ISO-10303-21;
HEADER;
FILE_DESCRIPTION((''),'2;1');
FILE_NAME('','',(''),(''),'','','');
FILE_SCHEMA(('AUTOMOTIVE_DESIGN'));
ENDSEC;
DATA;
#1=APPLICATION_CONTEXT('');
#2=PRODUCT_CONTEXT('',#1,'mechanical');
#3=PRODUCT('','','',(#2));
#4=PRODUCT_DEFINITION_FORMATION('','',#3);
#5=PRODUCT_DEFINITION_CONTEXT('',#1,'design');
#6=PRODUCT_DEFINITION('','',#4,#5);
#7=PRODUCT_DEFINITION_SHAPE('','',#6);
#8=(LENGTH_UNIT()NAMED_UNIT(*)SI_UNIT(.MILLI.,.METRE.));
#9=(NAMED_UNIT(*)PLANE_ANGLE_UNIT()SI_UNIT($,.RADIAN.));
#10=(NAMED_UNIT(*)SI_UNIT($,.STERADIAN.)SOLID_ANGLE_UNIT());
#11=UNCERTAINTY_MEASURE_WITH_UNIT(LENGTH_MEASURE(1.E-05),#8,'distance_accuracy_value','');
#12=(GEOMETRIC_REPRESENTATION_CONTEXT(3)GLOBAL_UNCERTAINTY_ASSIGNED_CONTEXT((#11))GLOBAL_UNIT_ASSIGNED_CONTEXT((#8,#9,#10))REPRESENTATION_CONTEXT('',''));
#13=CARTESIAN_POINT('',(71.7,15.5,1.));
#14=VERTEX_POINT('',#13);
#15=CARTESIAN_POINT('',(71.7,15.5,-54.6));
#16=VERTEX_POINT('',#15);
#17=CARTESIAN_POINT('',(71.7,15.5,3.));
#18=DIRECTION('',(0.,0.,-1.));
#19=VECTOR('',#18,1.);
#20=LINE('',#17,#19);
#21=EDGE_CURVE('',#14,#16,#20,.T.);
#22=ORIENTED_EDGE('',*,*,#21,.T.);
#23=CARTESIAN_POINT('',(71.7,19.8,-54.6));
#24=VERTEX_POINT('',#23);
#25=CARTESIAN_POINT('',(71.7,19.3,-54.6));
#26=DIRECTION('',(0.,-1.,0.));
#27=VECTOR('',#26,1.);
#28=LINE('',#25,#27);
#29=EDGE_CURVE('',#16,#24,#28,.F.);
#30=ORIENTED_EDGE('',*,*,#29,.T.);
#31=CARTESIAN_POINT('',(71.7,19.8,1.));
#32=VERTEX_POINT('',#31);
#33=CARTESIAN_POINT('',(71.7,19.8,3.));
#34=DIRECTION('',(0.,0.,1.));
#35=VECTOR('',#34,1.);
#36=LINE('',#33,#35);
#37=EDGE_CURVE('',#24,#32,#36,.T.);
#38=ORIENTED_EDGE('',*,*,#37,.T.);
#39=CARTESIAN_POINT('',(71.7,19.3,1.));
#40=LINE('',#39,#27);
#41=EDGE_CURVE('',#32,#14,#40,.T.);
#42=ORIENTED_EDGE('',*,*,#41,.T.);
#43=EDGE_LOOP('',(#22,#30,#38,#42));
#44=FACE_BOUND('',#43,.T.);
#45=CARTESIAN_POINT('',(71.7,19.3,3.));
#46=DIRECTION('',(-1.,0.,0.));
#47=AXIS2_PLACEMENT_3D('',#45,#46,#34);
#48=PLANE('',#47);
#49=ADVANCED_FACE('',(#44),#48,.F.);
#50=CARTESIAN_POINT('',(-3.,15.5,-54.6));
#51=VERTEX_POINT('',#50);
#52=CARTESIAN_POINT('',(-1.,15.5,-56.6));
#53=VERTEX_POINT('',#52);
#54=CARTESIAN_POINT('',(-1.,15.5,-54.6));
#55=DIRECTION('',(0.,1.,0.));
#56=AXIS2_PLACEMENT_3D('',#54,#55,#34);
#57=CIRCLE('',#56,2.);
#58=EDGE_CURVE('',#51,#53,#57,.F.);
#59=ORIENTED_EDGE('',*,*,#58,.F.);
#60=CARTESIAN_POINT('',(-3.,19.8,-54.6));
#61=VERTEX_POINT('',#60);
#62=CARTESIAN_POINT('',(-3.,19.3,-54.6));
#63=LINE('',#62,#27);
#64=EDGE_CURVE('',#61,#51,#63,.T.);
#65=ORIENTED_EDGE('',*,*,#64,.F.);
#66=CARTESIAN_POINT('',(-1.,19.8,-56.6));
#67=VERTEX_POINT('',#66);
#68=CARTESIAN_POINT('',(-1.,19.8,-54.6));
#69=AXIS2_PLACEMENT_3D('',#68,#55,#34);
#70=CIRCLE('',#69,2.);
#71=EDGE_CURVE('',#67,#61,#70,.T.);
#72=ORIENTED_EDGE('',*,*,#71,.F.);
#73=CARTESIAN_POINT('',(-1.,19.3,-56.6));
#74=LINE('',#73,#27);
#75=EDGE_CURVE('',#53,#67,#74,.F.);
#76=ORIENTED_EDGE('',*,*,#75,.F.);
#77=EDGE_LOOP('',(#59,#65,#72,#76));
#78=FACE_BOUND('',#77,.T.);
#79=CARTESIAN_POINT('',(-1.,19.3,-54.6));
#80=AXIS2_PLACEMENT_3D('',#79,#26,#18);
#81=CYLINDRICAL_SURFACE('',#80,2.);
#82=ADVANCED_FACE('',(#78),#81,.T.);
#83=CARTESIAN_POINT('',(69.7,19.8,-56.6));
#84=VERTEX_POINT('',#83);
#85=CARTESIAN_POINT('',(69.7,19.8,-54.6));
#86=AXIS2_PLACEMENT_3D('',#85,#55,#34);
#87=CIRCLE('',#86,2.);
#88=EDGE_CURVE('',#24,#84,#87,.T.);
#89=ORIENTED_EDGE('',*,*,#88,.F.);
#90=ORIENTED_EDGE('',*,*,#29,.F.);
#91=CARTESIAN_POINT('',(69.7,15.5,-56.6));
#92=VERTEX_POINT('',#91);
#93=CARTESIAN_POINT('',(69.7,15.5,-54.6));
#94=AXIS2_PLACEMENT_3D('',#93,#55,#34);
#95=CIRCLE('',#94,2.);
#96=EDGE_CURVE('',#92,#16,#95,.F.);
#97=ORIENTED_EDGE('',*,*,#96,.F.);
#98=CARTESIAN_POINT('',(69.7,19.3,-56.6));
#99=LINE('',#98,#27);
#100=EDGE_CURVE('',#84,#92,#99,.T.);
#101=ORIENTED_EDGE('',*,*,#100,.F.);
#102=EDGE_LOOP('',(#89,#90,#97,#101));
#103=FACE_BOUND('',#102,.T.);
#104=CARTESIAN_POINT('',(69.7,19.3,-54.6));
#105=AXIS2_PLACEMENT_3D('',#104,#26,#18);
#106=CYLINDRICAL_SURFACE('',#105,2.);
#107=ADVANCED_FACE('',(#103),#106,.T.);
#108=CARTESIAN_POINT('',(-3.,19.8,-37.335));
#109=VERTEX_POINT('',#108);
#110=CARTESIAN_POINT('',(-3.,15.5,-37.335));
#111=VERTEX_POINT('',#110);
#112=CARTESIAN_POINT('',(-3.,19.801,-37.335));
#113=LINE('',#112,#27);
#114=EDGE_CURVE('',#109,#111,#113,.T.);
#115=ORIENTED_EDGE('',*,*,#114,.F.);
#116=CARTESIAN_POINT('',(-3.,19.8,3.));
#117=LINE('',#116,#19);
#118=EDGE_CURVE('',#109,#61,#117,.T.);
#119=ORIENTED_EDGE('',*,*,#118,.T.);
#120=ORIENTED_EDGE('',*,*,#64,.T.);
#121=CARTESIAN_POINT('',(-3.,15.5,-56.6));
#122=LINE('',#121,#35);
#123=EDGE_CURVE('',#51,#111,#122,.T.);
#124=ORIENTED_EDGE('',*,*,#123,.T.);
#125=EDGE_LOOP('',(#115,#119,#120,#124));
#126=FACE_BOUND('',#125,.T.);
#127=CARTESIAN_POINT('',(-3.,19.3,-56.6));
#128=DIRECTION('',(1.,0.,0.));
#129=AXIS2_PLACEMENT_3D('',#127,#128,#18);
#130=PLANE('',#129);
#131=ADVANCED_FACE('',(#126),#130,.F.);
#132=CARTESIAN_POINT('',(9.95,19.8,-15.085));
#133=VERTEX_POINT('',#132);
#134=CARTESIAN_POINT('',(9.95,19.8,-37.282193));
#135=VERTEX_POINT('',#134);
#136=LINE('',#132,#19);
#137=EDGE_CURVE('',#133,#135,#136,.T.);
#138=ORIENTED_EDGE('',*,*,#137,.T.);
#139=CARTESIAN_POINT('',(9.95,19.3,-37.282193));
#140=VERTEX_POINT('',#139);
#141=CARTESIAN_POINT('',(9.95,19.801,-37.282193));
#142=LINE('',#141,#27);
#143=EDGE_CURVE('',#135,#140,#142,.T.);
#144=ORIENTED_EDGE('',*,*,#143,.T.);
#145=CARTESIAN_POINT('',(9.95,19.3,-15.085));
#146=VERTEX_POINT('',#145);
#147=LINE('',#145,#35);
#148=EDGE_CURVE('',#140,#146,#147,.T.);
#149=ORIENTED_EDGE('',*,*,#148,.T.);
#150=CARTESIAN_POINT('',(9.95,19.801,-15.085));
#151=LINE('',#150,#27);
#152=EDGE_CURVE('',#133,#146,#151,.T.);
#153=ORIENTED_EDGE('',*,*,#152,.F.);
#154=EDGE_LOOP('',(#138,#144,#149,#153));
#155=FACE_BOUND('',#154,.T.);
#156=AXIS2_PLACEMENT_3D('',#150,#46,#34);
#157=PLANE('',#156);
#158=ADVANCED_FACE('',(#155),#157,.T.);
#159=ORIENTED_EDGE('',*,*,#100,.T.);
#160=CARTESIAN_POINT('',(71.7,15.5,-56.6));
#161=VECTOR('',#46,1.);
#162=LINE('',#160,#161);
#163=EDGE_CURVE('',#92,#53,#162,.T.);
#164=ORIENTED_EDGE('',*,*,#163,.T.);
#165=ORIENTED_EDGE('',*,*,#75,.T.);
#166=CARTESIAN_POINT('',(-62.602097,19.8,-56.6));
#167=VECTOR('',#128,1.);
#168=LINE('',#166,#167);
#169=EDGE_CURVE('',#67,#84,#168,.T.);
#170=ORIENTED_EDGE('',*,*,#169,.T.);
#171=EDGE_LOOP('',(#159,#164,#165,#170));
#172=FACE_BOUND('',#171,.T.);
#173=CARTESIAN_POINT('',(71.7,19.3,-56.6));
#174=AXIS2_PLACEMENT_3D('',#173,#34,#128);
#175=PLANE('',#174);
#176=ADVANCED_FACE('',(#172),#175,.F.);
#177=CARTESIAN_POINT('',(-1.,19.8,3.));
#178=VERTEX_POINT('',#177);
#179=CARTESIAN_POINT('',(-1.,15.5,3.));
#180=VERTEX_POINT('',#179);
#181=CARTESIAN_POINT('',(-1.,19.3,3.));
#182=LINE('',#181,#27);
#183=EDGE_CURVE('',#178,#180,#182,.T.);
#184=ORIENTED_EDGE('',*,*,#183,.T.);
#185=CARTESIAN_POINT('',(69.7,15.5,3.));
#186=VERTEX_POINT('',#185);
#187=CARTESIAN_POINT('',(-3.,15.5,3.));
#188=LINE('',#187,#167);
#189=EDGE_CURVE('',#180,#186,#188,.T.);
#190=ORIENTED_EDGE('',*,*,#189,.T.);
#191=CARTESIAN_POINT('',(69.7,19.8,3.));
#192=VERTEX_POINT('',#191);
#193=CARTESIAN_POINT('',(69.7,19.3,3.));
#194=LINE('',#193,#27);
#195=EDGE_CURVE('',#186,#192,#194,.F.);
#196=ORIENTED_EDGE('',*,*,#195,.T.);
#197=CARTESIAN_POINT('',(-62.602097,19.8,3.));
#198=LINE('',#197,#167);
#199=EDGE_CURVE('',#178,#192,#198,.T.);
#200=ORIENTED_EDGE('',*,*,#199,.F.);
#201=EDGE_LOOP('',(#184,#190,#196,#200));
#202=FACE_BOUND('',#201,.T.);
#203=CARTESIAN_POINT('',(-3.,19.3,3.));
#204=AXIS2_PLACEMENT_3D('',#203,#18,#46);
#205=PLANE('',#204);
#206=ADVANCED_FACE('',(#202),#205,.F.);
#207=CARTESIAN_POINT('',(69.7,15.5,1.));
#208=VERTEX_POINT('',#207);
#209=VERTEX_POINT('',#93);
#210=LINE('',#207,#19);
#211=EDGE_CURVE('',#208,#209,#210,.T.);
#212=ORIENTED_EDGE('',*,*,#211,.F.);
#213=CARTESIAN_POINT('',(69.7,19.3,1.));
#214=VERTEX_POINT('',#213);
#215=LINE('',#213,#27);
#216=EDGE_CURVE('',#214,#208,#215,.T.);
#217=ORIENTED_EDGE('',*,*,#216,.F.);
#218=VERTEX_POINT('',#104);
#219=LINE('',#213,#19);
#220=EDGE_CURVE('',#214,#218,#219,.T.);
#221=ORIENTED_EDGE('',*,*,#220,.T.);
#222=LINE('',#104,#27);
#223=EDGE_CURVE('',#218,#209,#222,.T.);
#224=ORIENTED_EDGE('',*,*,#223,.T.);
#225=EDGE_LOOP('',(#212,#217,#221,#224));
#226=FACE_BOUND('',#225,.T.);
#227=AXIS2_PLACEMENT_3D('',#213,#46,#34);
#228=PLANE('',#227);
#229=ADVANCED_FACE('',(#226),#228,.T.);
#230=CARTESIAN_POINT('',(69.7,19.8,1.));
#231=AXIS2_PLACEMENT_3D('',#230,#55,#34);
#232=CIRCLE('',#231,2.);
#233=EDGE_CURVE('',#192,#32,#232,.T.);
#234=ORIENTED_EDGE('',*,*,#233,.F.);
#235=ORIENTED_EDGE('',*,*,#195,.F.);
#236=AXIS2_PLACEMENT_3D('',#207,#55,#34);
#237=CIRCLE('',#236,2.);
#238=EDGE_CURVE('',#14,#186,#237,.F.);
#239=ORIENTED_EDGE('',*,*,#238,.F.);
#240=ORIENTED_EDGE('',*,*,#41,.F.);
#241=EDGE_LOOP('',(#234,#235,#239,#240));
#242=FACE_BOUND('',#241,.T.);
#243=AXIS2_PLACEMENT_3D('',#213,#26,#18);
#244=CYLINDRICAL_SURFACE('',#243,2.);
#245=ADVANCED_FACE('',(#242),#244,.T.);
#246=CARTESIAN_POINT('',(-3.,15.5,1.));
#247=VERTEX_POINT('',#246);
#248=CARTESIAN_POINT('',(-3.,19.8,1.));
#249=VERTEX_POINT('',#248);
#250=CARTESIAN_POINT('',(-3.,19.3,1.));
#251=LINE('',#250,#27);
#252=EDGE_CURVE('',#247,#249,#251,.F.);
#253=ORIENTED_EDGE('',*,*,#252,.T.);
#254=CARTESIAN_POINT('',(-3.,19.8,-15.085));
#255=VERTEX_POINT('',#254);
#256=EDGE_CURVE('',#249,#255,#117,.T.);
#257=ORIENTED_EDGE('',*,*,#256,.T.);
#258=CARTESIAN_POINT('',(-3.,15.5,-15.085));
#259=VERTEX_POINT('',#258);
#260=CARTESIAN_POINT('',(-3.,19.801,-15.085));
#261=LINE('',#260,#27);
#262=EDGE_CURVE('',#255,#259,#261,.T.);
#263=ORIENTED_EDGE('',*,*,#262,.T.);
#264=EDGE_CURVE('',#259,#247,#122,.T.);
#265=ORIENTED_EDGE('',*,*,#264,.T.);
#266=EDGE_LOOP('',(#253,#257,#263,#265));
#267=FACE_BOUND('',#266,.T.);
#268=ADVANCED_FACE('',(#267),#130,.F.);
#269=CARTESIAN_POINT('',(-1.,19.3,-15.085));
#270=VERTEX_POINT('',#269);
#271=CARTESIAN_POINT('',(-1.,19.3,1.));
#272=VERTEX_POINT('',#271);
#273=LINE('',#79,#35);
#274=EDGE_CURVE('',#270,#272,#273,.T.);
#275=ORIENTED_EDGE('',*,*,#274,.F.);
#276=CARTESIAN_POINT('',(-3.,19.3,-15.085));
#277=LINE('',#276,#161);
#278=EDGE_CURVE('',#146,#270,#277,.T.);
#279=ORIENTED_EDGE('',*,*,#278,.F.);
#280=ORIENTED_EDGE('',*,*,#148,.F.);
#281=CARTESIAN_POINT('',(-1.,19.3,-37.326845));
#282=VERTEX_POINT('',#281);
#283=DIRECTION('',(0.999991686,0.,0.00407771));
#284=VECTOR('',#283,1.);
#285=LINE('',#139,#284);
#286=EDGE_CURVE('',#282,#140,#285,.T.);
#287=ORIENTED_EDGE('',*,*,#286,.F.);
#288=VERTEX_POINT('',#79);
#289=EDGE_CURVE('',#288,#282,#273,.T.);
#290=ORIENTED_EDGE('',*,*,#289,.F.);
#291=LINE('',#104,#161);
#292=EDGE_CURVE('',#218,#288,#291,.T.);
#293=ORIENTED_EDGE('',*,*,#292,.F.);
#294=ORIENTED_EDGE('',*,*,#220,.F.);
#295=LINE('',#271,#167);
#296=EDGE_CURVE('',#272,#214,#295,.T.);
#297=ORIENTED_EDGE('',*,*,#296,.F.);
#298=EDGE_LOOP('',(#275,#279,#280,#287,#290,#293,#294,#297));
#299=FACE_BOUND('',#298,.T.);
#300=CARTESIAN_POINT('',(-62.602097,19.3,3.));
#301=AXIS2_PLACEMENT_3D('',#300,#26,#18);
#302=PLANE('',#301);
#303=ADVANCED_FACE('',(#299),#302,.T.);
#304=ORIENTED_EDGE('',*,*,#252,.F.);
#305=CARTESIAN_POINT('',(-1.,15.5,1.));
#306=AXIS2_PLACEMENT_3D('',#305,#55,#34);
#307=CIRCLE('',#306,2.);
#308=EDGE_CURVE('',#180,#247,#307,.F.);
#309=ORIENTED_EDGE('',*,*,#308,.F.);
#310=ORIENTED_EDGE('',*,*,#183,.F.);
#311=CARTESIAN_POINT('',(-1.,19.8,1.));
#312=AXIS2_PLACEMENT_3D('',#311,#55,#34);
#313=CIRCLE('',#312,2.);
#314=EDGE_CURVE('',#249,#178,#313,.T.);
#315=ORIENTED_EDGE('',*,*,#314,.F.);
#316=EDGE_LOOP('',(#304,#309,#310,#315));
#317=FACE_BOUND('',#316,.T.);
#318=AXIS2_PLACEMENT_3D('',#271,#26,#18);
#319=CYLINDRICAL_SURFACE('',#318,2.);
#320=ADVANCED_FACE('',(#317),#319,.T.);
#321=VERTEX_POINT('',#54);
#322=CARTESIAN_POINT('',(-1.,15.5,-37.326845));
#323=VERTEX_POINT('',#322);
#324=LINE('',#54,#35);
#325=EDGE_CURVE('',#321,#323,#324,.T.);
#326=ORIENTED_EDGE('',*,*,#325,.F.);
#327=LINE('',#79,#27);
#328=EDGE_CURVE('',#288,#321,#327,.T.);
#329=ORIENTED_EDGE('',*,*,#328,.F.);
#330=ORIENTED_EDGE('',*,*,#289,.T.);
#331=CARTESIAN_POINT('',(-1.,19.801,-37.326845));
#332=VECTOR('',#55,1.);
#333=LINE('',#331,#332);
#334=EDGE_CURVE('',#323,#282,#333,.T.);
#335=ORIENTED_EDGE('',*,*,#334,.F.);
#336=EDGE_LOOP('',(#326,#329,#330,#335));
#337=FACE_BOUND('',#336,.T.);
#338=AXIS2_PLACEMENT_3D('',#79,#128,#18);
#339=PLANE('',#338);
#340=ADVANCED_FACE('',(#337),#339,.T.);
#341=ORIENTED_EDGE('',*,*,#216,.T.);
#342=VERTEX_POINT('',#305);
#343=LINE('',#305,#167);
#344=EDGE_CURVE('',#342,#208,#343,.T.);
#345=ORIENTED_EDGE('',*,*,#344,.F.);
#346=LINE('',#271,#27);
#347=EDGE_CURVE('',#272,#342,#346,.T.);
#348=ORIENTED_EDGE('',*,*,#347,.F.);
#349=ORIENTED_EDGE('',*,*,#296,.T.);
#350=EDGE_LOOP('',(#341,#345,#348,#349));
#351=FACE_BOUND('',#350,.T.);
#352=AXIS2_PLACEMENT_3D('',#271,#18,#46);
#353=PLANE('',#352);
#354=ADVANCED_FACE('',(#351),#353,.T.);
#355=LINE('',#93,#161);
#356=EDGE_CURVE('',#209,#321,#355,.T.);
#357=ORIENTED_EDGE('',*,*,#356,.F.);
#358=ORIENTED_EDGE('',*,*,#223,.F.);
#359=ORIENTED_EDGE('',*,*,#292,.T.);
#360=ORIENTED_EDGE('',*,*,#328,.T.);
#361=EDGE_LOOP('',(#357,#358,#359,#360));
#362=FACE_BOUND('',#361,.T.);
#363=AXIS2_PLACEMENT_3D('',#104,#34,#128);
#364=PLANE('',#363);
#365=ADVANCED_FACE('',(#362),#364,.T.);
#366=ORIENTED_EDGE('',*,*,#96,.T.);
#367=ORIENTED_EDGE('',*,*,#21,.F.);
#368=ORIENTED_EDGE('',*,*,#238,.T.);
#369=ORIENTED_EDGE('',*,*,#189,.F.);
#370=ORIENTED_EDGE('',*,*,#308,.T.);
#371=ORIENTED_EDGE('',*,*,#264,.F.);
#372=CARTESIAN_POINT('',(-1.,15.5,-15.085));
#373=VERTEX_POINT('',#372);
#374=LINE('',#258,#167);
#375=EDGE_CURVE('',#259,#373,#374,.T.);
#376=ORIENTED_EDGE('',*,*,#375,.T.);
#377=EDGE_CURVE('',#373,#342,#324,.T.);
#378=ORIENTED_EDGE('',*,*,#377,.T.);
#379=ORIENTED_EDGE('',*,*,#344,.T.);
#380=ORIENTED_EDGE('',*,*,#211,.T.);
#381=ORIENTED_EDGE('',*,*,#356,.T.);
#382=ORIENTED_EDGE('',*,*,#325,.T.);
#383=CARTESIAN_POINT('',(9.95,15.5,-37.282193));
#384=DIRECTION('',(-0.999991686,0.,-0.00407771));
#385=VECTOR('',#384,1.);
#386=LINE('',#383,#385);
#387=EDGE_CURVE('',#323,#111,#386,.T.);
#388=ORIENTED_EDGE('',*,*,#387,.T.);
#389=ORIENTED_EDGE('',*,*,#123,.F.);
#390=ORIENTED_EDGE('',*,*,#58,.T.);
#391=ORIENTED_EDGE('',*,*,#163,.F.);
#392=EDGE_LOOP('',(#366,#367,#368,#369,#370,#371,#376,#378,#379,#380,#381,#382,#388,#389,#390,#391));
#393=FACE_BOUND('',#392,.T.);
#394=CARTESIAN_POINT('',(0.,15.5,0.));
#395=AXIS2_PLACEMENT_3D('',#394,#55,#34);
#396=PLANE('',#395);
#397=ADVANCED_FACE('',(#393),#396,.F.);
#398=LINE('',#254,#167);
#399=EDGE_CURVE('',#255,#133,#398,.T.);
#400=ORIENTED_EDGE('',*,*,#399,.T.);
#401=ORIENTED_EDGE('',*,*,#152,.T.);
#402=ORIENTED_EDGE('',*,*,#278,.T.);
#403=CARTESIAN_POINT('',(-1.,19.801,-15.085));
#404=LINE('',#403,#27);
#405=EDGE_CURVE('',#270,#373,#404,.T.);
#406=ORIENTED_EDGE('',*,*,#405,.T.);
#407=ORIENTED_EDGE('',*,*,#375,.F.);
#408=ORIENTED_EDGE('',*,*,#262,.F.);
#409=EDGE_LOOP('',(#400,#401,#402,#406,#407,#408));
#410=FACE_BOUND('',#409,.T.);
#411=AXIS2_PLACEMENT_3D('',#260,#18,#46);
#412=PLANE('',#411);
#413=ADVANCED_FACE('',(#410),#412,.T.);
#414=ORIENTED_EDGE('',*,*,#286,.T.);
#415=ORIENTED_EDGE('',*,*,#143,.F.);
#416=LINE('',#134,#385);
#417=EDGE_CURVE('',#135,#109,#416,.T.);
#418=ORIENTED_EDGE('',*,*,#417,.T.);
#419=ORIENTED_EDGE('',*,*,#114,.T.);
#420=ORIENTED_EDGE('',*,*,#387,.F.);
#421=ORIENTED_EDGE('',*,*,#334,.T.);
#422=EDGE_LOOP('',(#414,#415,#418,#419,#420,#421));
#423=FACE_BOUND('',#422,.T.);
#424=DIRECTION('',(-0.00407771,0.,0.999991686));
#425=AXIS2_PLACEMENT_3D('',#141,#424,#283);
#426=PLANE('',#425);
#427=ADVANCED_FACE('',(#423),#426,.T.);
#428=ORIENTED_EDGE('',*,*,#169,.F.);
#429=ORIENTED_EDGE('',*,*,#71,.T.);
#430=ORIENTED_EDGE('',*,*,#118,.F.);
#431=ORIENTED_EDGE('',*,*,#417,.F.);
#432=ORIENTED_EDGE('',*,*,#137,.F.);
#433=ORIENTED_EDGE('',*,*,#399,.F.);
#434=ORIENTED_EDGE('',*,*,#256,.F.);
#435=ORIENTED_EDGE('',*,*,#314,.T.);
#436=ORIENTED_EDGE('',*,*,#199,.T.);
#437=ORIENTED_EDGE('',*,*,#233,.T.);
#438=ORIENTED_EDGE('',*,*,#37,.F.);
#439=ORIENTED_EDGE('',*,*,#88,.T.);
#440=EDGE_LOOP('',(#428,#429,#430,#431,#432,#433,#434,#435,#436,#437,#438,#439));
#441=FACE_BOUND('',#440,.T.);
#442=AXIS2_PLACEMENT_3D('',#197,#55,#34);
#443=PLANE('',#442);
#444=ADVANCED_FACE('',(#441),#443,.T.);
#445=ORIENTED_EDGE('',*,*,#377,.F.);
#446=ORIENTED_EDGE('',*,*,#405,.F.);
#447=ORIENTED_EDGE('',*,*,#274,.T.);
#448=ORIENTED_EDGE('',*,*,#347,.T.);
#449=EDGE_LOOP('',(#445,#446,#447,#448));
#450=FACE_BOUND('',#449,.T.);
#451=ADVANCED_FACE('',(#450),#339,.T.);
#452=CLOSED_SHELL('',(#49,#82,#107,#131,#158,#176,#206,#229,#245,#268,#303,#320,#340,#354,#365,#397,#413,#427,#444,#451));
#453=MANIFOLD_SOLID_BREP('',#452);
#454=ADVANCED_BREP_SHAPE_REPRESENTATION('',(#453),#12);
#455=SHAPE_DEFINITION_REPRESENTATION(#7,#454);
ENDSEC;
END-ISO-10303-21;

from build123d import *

# Parameters (mm, degrees)
SKETCH2_W           = 74.7
SKETCH2_H           = 59.6
SKETCH2_W_2         = 70.7
SKETCH2_H_2         = 55.6
WALLS_DEPTH         = 3.8
SKETCH3_W           = 59.6
SKETCH3_H           = 0.5
BOSS_EXTRUDE2_DEPTH = 74.7
CUT_EXTRUDE1_REACH  = 93.449
FILLET1_R           = 2


with BuildPart() as part:
    # Sketch2 → walls (new body)
    with BuildSketch(Plane(origin=(0, 15.5, 0), x_dir=(1, 0, 0), z_dir=(0, 1, 0))):
        with Locations((34.35, 26.8)):
            Rectangle(SKETCH2_W, SKETCH2_H)
        with Locations((34.35, 26.8)):
            Rectangle(SKETCH2_W_2, SKETCH2_H_2, mode=Mode.SUBTRACT)
    extrude(amount=WALLS_DEPTH)

    # Sketch3 → Boss-Extrude2 (add)
    with BuildSketch(Plane(origin=(71.7, 0, 0), x_dir=(0, 0, -1), z_dir=(1, 0, 0))):
        with Locations((26.8, 19.55)):
            Rectangle(SKETCH3_W, SKETCH3_H)
    extrude(amount=-BOSS_EXTRUDE2_DEPTH)

    # Sketch4 → Cut-Extrude1 (cut, up to next)
    with BuildSketch(Plane(origin=(0, 15.5, 0), x_dir=(1, 0, 0), z_dir=(0, 1, 0)), mode=Mode.PRIVATE) as cut_extrude1_sk1:
        Polygon((9.95, 37.282193212), (-3, 37.335), (-3, 15.085), (9.95, 15.085), align=None)
    cut_extrude1_tool1 = extrude(cut_extrude1_sk1.sketch, amount=CUT_EXTRUDE1_REACH, mode=Mode.PRIVATE) & part.part
    add(cut_extrude1_tool1.solids().sort_by_distance((3.472436, 15.5, -26.196804))[0], mode=Mode.SUBTRACT)

    # Fillet1
    fillet1_edges = [part.edges().sort_by_distance(p)[0] for p in [
        (71.7, 17.65, -56.6),
        (71.7, 17.65, 3),
        (-3, 17.65, 3),
        (-3, 17.65, -56.6),
    ]]
    fillet(fillet1_edges, radius=FILLET1_R)


solid = part.part
